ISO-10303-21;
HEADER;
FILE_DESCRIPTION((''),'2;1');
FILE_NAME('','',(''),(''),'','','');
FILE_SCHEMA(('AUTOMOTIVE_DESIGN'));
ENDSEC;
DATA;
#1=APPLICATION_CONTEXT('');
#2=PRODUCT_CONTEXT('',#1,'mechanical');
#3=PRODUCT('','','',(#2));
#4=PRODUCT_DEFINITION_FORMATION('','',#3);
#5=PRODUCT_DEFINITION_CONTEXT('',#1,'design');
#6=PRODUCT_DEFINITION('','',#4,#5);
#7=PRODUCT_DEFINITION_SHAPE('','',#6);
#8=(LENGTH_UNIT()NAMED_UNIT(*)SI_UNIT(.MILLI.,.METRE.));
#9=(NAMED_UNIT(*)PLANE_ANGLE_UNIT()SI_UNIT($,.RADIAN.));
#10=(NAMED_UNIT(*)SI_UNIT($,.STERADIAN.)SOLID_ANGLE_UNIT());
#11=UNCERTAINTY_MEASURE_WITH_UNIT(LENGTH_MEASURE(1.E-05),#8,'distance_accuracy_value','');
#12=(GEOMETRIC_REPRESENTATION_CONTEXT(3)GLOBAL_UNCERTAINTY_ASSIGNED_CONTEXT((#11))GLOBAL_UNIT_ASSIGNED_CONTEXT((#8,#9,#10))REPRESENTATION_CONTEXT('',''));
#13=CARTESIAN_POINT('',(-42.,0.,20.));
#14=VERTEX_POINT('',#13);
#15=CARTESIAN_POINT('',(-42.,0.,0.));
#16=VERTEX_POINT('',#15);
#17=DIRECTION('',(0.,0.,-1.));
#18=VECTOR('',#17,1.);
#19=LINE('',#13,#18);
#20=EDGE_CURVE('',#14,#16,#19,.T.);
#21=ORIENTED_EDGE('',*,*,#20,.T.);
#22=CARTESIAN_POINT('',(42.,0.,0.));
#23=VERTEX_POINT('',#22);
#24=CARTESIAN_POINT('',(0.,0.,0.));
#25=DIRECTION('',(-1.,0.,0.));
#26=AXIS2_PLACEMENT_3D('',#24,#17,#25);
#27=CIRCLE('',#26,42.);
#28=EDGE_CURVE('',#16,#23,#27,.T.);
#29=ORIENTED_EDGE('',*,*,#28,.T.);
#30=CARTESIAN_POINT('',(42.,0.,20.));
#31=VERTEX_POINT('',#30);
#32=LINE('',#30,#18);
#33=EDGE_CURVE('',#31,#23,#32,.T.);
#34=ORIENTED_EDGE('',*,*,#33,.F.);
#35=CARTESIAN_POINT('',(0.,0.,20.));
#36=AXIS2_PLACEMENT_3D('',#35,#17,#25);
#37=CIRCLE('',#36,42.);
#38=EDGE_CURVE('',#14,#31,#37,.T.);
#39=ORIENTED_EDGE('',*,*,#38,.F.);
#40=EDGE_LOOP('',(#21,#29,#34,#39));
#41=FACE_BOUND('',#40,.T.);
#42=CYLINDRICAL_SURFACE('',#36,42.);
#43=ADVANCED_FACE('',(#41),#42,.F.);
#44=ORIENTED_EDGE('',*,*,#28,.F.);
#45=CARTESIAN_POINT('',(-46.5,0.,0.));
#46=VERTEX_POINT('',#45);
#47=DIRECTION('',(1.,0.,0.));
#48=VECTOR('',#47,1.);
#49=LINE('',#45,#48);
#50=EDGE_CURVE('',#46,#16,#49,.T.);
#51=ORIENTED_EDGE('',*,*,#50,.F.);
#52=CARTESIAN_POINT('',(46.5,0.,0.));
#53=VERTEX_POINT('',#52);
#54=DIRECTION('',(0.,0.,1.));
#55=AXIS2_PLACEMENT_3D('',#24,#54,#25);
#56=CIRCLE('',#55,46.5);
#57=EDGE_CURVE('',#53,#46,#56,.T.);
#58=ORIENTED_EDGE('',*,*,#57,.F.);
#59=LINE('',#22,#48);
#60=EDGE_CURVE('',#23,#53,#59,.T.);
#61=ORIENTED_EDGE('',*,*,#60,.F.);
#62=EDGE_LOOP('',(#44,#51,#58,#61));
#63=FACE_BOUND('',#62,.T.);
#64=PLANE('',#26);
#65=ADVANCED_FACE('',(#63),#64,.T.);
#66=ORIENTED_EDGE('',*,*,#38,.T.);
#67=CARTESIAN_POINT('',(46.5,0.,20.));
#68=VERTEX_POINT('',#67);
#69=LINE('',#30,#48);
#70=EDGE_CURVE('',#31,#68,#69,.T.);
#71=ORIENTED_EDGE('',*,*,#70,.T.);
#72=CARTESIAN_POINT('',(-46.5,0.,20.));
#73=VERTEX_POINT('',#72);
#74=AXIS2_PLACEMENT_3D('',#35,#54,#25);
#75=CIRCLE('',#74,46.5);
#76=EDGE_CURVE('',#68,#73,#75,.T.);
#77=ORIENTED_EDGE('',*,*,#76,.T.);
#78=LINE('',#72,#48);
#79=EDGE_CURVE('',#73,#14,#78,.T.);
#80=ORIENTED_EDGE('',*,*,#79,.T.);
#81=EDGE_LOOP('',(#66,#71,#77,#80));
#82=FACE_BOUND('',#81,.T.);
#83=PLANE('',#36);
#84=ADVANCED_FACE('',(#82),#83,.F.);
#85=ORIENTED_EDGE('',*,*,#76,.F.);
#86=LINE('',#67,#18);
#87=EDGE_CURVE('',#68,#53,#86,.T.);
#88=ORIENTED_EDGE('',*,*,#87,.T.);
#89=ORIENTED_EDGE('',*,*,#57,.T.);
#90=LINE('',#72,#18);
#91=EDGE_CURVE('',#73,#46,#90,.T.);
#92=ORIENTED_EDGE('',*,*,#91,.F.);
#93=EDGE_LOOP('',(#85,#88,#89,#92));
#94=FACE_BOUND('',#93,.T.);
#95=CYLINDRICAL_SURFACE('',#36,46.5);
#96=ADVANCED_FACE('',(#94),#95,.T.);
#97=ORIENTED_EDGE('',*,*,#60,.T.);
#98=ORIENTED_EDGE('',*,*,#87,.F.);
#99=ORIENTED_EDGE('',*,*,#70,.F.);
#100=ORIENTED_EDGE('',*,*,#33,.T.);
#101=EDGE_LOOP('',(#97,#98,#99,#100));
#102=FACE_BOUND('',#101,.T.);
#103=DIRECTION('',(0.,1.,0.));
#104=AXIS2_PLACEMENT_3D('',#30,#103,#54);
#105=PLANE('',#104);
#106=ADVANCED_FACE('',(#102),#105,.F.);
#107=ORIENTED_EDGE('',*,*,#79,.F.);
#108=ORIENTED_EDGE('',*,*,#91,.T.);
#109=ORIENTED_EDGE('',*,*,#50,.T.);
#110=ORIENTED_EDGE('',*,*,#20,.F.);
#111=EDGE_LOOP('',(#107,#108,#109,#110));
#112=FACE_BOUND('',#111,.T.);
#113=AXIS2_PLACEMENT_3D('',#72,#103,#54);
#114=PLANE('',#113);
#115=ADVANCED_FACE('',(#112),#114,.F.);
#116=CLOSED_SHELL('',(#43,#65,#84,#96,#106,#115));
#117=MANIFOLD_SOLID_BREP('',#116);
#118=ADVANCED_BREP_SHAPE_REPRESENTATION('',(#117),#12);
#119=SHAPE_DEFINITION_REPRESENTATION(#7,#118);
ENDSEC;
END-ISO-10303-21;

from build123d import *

# Parameters (mm, degrees)
EXTRUDE_1_DEPTH = 20


with BuildPart() as part:
    # 草图1 → 凸台-拉伸1 (new body)
    with BuildSketch(Plane.XY):
        with BuildLine():
            Line((-46.5, 0), (-42, 0))
            ThreePointArc((-42, 0), (0, 42), (42, 0))
            Line((42, 0), (46.5, 0))
            ThreePointArc((46.5, 0), (0, 46.5), (-46.5, 0))
        make_face()
    extrude(amount=EXTRUDE_1_DEPTH)


solid = part.part
